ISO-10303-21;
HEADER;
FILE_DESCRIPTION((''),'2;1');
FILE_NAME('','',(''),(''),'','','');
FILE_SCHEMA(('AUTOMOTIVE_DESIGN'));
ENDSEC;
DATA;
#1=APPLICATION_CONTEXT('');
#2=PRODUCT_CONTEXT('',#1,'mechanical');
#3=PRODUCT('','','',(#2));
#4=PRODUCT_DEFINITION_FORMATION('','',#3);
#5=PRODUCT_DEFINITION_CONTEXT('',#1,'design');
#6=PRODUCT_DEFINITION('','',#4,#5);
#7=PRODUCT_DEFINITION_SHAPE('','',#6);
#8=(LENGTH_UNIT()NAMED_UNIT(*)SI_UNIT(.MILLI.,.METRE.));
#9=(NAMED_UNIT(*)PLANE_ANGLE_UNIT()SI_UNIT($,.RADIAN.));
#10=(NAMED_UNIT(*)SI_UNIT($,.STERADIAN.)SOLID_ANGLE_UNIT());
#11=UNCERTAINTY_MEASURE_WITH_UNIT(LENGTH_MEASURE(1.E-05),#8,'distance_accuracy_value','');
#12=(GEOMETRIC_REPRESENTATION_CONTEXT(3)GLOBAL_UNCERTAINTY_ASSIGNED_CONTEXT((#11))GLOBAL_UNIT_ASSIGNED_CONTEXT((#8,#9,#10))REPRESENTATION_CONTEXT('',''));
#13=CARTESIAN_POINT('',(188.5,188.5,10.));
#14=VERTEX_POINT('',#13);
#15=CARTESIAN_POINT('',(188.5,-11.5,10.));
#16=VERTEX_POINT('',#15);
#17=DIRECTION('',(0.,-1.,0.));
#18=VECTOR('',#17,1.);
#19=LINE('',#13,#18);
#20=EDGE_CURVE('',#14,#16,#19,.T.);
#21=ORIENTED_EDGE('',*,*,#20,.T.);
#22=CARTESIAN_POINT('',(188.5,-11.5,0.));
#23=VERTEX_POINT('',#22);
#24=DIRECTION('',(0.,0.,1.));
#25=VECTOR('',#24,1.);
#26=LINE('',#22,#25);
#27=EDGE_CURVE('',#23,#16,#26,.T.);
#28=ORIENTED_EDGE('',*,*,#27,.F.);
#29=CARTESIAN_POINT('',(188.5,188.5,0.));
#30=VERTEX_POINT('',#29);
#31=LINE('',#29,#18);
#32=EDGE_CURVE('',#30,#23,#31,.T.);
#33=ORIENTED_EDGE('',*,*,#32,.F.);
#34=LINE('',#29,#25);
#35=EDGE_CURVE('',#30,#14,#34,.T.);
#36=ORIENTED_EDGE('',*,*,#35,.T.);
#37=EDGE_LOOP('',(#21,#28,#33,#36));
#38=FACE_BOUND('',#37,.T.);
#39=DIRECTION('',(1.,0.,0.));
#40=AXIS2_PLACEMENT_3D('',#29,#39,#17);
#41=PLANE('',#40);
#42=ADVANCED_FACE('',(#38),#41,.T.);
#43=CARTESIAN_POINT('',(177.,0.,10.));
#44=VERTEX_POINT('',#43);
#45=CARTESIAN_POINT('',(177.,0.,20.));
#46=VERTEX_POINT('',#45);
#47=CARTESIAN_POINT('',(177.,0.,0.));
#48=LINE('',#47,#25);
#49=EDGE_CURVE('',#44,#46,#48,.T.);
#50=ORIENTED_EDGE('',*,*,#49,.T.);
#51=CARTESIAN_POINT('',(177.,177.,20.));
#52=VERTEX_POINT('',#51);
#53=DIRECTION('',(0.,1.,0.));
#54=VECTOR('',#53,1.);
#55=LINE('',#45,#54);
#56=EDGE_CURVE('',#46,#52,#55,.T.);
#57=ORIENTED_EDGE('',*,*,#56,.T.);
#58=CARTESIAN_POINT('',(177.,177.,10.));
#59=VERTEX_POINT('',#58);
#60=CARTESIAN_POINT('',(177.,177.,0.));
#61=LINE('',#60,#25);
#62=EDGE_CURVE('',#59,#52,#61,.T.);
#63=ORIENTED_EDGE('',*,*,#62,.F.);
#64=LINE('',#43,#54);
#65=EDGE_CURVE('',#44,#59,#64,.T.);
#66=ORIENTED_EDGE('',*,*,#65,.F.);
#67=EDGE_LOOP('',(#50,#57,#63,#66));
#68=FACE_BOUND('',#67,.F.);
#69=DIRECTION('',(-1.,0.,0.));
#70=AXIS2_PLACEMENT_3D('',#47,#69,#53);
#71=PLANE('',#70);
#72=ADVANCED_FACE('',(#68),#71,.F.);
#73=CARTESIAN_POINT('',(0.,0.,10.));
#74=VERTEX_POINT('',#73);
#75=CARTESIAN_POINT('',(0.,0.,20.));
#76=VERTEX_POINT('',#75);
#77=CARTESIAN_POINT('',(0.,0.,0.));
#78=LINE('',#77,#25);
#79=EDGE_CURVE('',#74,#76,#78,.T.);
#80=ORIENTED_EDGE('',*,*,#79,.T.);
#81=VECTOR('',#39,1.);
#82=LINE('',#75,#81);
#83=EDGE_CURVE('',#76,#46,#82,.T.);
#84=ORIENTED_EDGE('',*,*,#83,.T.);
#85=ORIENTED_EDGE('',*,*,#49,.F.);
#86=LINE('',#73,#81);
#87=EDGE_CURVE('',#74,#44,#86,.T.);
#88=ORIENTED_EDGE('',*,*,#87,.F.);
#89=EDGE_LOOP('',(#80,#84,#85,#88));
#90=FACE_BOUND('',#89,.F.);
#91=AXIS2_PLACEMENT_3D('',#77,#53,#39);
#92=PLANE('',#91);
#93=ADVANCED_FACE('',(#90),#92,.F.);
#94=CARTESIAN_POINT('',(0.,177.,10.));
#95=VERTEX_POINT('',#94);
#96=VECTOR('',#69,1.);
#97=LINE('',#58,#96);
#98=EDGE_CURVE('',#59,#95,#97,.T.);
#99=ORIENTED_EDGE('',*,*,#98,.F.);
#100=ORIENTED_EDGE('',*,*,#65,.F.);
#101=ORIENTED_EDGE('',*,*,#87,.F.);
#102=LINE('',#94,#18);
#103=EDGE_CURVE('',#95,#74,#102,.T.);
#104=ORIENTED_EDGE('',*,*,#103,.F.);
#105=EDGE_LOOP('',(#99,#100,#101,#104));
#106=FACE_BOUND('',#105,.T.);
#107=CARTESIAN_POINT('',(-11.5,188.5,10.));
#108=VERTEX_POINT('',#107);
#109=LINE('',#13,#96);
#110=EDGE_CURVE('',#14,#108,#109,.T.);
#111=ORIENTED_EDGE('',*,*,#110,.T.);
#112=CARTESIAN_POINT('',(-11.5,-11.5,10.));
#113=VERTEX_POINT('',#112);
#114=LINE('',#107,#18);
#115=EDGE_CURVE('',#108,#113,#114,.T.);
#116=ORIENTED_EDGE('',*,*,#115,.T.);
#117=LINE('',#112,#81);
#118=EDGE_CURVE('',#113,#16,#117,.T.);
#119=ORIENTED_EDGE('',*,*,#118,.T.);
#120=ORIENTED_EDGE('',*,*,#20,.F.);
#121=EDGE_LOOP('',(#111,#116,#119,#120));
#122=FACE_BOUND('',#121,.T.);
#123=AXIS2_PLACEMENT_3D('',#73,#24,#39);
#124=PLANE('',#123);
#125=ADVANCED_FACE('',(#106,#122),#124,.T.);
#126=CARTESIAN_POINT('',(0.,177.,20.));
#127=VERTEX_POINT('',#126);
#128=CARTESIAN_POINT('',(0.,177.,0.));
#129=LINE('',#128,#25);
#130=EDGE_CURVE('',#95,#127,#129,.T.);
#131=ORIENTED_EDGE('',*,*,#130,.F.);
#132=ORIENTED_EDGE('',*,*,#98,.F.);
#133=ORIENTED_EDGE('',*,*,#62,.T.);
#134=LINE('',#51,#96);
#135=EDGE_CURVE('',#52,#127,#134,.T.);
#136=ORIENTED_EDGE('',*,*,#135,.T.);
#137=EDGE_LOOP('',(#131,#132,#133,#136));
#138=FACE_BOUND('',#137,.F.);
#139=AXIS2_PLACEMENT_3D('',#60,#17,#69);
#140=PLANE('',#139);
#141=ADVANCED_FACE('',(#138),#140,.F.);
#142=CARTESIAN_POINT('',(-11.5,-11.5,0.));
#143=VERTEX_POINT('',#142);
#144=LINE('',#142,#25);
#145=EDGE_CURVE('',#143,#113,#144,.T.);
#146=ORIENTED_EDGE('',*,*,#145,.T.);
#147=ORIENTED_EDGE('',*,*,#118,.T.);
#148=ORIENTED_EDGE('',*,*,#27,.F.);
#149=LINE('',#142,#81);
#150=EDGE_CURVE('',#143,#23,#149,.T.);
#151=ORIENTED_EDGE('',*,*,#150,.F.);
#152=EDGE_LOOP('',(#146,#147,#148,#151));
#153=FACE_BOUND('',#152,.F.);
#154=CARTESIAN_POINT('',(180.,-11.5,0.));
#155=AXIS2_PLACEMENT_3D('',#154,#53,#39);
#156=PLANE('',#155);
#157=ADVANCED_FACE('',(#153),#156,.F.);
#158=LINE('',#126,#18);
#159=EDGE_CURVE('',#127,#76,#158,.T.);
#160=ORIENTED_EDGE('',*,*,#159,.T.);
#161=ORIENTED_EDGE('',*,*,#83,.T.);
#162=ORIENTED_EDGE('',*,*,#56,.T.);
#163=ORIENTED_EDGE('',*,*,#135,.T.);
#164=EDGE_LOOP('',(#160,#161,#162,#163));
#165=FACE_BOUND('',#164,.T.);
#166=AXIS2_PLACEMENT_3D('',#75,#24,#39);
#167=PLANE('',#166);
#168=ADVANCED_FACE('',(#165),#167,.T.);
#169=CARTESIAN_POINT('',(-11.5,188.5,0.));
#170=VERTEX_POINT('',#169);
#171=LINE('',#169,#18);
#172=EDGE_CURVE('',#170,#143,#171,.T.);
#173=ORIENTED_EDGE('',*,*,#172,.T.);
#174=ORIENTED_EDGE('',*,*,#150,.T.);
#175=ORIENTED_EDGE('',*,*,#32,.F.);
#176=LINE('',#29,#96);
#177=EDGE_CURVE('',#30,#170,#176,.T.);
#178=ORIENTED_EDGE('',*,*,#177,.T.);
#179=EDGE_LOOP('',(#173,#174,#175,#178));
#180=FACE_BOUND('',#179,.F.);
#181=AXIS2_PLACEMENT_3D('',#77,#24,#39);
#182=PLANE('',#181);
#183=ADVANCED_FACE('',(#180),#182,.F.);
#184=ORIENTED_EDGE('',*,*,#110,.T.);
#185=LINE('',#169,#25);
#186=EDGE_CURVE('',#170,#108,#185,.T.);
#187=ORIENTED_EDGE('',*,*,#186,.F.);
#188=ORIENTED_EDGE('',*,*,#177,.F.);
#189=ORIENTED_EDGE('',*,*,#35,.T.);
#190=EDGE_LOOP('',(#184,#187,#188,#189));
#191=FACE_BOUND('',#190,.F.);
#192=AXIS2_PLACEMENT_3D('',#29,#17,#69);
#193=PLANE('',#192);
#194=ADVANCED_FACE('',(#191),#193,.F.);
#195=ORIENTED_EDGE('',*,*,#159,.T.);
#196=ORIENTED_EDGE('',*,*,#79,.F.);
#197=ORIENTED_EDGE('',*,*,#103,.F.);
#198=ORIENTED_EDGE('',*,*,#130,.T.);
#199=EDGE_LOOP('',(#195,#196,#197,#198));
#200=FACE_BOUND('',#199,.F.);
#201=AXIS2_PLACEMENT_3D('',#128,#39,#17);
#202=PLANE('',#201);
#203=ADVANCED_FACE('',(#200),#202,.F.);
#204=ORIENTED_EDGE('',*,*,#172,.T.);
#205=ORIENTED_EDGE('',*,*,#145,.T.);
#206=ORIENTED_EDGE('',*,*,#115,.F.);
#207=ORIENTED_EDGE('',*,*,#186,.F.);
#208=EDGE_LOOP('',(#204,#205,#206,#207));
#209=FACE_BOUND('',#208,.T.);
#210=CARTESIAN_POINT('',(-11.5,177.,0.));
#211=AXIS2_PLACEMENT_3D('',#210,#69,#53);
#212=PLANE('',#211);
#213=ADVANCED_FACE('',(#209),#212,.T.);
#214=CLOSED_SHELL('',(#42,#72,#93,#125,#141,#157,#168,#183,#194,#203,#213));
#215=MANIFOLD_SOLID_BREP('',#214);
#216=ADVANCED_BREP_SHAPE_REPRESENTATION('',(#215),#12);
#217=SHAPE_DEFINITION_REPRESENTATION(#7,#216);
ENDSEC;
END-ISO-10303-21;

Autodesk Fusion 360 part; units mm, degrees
sketch "Sketch1" plane through (0, 0, 0) normal (0, 0, 1) x (1, 0, 0)
  line L0 (0, 0) -> (177, 0)
  line L1 (177, 0) -> (177, 177)
  line L2 (177, 177) -> (0, 177)
  line L3 (0, 177) -> (0, 0)
  line L4 (-11.5, 177) -> (-11.5, -11.5)
  line L5 (-11.5, -11.5) -> (180, -11.5)
  line L6 (188.5, 188.5) -> (188.5, -11.5)
  line L7 (180, -11.5) -> (188.5, -11.5)
  line L8 (188.5, 188.5) -> (-11.5, 188.5)
  line L9 (-11.5, 177) -> (-11.5, 188.5)
  dimension "d1" = 177
  dimension "d2" = 177
  dimension "d3" = 11.5
  dimension "d4" = 11.5
  dimension "d5" = 11.5
  dimension "d6" = 11.5
extrude "Extrude1" add sketch "Sketch1" along normal blind 20 contours L0 L1 L2 L3
extrude "Extrude2" add sketch "Sketch1" along normal blind 10
